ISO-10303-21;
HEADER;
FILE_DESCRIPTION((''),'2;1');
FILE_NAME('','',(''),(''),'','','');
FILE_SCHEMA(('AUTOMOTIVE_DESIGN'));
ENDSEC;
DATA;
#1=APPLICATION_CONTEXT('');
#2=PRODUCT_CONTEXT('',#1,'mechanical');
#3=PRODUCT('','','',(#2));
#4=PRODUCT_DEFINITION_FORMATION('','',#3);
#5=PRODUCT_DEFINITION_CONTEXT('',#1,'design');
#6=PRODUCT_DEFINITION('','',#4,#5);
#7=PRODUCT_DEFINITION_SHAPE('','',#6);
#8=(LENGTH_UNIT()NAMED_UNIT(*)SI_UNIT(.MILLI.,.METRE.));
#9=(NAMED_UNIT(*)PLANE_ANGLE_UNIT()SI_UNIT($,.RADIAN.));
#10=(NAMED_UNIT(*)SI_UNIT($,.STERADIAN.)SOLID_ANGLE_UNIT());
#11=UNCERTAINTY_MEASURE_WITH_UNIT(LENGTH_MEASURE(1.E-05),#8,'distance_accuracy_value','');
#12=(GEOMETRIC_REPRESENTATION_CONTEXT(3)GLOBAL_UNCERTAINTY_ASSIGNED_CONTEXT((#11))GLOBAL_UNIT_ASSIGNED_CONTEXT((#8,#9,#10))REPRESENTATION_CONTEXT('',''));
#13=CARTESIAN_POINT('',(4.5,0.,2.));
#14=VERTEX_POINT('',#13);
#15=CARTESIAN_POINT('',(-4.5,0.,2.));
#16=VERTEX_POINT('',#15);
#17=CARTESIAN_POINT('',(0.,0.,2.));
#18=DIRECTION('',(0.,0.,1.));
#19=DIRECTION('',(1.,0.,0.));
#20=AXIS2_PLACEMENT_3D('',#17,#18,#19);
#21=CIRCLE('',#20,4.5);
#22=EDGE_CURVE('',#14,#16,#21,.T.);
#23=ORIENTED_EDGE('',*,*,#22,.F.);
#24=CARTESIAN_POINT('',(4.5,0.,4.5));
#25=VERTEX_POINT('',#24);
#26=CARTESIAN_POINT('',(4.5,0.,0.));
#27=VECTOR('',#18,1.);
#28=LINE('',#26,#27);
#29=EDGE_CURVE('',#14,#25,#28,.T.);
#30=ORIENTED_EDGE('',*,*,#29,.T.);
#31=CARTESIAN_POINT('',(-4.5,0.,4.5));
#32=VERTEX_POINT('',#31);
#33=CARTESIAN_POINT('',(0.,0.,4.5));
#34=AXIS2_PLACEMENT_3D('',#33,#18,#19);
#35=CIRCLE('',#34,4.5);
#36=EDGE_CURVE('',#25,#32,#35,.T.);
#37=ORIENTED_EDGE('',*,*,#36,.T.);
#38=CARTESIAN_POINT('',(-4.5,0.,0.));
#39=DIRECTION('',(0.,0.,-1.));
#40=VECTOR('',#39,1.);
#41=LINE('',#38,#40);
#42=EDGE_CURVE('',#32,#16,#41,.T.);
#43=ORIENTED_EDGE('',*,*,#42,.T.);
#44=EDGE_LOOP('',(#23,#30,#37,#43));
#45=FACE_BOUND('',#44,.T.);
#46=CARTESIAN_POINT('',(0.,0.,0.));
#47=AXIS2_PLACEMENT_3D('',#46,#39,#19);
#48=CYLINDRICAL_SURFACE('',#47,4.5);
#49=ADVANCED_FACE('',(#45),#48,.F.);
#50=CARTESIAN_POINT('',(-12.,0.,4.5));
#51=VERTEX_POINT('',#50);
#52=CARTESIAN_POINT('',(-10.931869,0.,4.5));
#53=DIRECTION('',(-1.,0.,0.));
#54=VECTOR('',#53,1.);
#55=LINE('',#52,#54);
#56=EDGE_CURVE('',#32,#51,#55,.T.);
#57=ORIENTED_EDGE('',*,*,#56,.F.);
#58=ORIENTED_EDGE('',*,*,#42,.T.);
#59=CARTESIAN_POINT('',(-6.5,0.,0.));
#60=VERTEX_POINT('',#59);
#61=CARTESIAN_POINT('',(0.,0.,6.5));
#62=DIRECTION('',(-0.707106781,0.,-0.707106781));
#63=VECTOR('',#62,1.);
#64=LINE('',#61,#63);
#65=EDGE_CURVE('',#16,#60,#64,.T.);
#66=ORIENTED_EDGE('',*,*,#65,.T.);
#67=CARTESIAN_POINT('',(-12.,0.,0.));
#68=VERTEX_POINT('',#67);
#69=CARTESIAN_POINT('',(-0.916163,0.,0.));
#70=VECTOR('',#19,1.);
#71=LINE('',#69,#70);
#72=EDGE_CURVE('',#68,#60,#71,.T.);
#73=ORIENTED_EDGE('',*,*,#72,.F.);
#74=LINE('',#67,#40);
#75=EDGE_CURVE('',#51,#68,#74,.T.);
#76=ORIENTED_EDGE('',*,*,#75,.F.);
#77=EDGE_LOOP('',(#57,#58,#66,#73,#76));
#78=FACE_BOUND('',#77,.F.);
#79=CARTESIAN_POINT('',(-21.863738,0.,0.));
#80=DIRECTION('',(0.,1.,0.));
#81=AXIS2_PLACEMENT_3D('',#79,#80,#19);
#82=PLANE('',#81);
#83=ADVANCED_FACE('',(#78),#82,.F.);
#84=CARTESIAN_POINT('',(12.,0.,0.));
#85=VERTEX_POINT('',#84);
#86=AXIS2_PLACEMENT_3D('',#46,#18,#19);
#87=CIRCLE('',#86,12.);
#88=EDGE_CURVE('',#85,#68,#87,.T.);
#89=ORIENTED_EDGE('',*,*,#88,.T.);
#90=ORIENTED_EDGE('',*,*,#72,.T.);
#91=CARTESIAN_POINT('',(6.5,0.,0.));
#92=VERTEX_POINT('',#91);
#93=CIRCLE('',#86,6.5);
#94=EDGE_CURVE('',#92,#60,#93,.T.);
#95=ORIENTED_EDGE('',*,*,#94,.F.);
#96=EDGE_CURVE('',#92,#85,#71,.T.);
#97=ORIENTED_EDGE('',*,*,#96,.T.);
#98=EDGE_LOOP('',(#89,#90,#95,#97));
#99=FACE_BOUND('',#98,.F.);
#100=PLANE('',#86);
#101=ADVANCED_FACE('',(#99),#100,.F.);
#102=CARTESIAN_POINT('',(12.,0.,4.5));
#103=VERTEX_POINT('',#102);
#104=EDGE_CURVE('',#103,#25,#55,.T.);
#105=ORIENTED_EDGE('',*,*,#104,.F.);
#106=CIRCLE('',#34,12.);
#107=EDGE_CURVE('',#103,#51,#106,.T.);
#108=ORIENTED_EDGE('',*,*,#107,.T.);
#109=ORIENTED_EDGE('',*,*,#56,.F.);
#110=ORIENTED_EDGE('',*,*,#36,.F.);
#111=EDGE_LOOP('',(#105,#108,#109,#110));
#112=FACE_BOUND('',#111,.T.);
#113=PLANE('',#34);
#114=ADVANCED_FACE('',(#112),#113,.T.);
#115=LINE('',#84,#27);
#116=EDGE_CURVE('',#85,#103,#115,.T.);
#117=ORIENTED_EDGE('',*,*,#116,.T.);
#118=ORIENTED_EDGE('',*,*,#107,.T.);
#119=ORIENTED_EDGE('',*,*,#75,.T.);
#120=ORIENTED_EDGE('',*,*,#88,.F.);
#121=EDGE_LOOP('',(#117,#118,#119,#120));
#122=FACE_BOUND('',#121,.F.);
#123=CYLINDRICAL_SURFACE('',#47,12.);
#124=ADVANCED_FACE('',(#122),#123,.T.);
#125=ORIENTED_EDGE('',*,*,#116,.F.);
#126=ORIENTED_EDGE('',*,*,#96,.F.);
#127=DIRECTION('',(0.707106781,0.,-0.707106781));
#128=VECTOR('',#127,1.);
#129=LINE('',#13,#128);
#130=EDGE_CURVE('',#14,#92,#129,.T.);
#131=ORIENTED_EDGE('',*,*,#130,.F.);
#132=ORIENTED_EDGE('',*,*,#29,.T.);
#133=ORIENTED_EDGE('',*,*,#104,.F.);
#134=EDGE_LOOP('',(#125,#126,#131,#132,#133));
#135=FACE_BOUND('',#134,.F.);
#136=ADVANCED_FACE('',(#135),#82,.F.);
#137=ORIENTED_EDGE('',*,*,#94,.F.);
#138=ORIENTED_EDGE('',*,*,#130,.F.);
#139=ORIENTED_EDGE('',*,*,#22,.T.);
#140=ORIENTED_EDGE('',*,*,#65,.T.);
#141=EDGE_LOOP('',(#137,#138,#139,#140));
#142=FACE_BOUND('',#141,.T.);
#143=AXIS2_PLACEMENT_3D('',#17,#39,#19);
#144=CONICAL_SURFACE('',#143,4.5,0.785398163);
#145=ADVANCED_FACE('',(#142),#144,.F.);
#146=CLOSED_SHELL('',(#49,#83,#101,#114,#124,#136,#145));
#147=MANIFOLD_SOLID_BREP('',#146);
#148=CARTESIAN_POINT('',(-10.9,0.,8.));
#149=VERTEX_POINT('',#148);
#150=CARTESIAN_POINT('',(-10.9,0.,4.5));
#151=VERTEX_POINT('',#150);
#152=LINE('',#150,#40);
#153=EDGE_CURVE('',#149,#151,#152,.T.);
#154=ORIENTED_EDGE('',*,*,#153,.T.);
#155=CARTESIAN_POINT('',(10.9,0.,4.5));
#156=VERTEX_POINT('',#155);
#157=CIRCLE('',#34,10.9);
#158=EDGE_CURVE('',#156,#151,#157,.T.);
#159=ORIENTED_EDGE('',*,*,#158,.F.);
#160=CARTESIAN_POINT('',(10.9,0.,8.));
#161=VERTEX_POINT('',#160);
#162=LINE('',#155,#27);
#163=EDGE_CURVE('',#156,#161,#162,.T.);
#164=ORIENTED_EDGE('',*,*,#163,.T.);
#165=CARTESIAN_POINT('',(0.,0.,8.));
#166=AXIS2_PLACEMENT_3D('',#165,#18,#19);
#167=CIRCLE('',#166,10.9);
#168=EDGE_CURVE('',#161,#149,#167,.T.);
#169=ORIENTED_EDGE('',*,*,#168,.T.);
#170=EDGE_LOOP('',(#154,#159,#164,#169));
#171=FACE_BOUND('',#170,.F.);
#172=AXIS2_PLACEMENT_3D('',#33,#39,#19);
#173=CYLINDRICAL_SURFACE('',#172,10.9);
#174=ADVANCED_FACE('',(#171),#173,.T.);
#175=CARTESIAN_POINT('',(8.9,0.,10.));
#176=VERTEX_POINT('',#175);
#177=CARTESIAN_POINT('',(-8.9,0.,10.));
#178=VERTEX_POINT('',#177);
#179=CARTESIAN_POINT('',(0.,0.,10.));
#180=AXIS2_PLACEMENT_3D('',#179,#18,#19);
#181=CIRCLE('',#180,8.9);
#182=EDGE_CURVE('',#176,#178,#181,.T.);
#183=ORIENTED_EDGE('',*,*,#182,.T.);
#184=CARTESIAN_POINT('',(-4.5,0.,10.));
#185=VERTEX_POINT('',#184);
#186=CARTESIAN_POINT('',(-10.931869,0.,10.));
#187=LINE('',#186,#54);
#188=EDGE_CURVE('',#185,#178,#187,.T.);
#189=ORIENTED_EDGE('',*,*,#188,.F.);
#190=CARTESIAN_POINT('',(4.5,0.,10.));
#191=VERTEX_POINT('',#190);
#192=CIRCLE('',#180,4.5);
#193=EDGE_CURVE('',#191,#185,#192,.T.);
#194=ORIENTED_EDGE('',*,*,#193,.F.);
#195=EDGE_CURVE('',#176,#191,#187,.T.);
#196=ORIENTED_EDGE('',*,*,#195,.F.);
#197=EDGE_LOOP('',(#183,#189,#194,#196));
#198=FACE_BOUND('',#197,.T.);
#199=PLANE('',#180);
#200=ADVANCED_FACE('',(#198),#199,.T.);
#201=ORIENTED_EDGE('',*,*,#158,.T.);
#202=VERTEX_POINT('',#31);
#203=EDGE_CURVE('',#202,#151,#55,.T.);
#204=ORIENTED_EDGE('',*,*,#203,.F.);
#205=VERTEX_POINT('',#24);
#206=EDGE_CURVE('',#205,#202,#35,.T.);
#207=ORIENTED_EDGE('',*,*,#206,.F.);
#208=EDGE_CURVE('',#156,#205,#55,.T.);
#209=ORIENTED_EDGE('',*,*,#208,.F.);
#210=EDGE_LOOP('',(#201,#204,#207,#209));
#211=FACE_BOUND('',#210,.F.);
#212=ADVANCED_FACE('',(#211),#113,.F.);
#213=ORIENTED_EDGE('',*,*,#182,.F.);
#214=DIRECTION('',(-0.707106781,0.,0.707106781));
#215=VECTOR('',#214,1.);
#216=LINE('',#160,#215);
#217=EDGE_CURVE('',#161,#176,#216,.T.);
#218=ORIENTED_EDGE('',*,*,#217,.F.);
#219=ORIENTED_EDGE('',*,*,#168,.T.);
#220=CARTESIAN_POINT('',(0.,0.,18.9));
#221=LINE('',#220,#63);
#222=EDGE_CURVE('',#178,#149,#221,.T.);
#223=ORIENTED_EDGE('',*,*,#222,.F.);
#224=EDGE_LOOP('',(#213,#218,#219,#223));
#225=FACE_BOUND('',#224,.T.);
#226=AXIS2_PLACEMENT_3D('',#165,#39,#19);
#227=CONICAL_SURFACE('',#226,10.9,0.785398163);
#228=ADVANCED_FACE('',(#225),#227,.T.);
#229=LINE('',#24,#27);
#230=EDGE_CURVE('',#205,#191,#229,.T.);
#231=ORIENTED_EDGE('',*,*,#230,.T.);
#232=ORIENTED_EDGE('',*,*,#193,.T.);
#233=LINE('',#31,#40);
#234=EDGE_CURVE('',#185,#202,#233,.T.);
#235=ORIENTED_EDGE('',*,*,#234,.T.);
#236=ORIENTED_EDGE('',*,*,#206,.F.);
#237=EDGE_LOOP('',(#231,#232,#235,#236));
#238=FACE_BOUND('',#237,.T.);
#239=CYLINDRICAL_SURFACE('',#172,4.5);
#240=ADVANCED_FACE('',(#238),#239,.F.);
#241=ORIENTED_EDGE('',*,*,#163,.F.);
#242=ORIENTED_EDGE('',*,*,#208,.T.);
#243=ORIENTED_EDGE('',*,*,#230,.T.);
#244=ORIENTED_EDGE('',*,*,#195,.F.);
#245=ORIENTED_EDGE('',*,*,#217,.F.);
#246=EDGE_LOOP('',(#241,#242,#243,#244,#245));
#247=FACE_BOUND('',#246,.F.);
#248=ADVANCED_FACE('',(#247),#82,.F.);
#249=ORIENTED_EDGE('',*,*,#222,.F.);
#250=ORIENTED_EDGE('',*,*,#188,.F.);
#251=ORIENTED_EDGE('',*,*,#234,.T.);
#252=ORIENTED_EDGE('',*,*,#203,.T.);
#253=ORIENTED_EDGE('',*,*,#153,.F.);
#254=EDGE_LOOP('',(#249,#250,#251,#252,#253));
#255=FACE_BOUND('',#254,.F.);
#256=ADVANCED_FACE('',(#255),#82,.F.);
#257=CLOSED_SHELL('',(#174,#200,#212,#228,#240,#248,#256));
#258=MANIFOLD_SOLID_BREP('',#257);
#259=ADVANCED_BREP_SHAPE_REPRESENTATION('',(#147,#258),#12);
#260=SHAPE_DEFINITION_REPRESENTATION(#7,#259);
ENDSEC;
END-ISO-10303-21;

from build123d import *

# Parameters (mm, degrees)
F0_R      = 12
F0_R_2    = 10.9
F0_R_3    = 4.5
F1_DEPTH  = 4.5
F2_START  = 4.5
F2_DEPTH  = 5.5
F3_SIZE   = 2
F3_2_SIZE = 2
F4_W      = 41.8951492757
F4_H      = 15.0316422805
F5_DEPTH  = 25


with BuildPart() as f1:
    # F0 (on Top) → F1 (new body)
    with BuildSketch(Plane.XY):
        Circle(F0_R)
        Circle(F0_R_2, mode=Mode.SUBTRACT)
        Circle(F0_R_2)
        Circle(F0_R_3, mode=Mode.SUBTRACT)
    extrude(amount=F1_DEPTH)

    # F3
    f3_edges = [f1.edges().sort_by_distance(p)[0] for p in [
        (-4.5, 0, 0),
    ]]
    chamfer(f3_edges, length=F3_SIZE)


with BuildPart() as f2:
    # F0 (on Top) → F2 (new body)
    with BuildSketch(Plane.XY.offset(F2_START)):
        Circle(F0_R_2)
        Circle(F0_R_3, mode=Mode.SUBTRACT)
    extrude(amount=F2_DEPTH)

    # F3#2
    f3_2_edges = [f2.edges().sort_by_distance(p)[0] for p in [
        (-10.9, 0, 10),
    ]]
    chamfer(f3_2_edges, length=F3_2_SIZE)


with BuildPart() as f5_tool:
    # F4 (on Top) → F5 (new body)
    with BuildSketch(Plane.XY):
        with Locations((-0.9161634371, -7.5158211403)):
            Rectangle(F4_W, F4_H)
    extrude(amount=F5_DEPTH)


with BuildPart() as f1_1:
    add(f1.part)

    # F5: cut by f5_tool
    add(f5_tool.part, mode=Mode.SUBTRACT)


with BuildPart() as f2_1:
    add(f2.part)

    # F5: cut by f5_tool
    add(f5_tool.part, mode=Mode.SUBTRACT)


solid = Compound([f1_1.part, f2_1.part])
